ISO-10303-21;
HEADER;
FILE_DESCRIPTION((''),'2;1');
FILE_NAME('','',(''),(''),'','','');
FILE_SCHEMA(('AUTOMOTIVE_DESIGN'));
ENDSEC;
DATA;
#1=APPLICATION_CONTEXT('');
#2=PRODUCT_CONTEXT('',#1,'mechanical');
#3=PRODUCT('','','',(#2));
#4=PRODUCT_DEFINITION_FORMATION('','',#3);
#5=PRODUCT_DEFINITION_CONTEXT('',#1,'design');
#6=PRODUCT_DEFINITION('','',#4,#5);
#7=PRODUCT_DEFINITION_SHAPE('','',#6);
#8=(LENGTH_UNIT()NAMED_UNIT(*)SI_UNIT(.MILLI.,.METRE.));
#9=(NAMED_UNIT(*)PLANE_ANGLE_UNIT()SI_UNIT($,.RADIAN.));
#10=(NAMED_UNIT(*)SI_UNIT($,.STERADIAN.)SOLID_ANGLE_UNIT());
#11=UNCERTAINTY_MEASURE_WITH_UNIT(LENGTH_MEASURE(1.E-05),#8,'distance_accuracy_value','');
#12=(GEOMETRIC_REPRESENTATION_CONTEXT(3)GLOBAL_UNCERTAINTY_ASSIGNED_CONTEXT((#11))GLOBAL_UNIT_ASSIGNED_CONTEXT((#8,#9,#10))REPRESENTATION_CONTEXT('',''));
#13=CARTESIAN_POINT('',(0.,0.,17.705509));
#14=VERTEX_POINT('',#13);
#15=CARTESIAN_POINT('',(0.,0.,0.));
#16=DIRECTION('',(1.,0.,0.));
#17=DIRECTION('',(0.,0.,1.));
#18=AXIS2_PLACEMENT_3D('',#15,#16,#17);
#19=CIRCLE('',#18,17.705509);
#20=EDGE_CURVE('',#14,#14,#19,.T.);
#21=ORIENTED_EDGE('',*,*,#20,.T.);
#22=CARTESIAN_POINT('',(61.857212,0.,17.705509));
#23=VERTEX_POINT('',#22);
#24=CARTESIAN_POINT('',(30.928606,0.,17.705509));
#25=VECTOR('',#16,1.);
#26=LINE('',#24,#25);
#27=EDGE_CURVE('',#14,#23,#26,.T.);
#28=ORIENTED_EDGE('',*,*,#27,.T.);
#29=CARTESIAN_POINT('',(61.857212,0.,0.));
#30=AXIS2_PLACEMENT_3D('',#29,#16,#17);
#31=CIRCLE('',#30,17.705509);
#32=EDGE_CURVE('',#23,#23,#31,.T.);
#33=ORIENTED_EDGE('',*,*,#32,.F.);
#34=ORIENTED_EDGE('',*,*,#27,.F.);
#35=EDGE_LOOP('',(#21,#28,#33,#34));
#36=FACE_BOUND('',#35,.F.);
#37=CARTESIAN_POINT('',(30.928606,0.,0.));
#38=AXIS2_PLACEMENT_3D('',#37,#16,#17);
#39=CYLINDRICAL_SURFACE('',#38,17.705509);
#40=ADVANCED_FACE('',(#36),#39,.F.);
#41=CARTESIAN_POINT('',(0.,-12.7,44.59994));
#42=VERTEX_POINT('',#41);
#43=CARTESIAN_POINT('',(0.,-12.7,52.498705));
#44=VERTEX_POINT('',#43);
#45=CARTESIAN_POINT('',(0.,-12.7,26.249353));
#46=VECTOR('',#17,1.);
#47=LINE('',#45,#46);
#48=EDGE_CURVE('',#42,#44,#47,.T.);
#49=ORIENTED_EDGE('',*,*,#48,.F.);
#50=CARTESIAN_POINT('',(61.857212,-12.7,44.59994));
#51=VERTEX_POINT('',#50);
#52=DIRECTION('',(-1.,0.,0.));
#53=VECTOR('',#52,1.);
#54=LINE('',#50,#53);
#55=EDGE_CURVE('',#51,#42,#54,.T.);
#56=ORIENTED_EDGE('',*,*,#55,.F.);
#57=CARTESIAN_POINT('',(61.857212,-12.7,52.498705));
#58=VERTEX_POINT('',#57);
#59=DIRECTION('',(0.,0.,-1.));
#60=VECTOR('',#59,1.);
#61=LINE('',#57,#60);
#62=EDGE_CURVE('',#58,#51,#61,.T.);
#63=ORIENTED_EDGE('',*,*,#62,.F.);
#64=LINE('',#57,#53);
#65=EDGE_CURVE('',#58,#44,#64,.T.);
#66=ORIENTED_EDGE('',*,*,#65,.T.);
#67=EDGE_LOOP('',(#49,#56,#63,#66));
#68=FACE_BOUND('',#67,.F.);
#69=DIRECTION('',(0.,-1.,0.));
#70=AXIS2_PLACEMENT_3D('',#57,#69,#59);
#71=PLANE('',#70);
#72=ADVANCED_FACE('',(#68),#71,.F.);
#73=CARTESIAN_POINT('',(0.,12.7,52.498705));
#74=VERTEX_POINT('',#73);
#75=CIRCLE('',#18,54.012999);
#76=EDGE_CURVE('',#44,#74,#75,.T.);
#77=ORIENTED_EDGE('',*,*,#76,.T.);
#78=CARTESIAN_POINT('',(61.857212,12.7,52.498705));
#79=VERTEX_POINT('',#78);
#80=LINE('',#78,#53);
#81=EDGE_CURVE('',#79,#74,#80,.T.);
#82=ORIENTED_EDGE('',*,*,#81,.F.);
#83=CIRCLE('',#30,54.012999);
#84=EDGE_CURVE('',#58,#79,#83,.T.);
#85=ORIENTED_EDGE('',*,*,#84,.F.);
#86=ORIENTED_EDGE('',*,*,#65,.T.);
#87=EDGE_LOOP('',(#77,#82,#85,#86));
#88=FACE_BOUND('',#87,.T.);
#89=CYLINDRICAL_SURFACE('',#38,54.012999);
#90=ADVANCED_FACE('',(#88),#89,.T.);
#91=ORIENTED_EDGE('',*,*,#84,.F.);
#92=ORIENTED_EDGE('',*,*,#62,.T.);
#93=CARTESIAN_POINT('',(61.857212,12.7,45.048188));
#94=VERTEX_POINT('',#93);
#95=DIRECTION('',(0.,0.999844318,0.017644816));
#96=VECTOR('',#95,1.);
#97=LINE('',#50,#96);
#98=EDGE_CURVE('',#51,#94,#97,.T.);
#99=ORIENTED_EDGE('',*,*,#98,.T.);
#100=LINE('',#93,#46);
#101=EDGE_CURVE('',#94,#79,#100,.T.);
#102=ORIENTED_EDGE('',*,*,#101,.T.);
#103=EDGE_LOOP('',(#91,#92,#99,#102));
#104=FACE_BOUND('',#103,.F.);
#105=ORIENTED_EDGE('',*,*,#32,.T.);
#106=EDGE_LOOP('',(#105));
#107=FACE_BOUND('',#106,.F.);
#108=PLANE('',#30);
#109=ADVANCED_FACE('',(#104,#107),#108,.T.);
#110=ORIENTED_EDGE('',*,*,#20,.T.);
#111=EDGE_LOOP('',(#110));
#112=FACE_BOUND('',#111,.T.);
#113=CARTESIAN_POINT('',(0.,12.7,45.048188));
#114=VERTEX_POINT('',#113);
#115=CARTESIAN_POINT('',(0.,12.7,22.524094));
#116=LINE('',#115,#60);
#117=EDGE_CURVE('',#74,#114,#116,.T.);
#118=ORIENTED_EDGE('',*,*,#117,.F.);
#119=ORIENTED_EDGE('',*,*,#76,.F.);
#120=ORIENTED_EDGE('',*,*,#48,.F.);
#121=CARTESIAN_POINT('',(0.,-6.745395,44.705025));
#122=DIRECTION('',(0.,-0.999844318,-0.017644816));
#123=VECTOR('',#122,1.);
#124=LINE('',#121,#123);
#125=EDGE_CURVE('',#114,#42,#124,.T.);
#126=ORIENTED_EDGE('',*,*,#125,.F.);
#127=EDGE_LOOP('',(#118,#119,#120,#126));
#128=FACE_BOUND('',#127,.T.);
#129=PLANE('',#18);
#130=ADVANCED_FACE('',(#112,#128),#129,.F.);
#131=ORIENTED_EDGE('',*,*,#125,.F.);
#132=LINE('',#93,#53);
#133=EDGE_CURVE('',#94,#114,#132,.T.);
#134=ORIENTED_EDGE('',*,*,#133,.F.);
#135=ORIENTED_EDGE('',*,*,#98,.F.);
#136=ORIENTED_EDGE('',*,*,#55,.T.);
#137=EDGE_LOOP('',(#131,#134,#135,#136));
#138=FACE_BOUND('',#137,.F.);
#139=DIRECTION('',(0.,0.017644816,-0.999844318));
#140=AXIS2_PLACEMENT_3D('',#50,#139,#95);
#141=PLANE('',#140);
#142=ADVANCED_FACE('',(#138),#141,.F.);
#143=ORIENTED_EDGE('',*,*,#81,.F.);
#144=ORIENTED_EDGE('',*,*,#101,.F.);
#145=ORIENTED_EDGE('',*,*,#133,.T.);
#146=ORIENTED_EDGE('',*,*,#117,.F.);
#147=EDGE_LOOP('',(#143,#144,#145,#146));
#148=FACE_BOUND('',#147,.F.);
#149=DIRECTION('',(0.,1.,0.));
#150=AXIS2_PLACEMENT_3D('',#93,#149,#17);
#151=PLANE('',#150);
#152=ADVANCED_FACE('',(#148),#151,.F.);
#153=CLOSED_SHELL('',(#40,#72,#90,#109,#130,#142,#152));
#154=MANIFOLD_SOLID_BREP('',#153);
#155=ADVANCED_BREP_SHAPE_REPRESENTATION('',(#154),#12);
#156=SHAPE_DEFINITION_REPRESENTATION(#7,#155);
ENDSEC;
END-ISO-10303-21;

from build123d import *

# Parameters (mm, degrees)
F0_W     = 61.8572123349
F0_H     = 36.3074894994
F3_DEPTH = 61.8582123349


with BuildPart() as f1:
    # F0 (on Front) → F1 (revolve)
    with BuildSketch(Plane.XZ):
        with Locations((30.9286061674, 35.8592541888)):
            Rectangle(F0_W, F0_H)
    revolve(axis=Axis((-41.9105030596, 0, 0), (1, 0, 0)))

    # F2 (on face) → F3 (cut, through all)
    with BuildSketch(Plane.YZ.offset(61.8572123349)):
        with BuildLine():
            ThreePointArc((12.7, 52.4987052634), (0, 54.0129989386), (-12.7, 52.4987052634))
            Line((-12.7, 52.4987052634), (-12.7, 44.5999402988))
            Line((-12.7, 44.5999402988), (12.7, 45.0481884181))
            Line((12.7, 45.0481884181), (12.7, 52.4987052634))
        make_face()
    extrude(amount=-F3_DEPTH, mode=Mode.SUBTRACT)


solid = f1.part
